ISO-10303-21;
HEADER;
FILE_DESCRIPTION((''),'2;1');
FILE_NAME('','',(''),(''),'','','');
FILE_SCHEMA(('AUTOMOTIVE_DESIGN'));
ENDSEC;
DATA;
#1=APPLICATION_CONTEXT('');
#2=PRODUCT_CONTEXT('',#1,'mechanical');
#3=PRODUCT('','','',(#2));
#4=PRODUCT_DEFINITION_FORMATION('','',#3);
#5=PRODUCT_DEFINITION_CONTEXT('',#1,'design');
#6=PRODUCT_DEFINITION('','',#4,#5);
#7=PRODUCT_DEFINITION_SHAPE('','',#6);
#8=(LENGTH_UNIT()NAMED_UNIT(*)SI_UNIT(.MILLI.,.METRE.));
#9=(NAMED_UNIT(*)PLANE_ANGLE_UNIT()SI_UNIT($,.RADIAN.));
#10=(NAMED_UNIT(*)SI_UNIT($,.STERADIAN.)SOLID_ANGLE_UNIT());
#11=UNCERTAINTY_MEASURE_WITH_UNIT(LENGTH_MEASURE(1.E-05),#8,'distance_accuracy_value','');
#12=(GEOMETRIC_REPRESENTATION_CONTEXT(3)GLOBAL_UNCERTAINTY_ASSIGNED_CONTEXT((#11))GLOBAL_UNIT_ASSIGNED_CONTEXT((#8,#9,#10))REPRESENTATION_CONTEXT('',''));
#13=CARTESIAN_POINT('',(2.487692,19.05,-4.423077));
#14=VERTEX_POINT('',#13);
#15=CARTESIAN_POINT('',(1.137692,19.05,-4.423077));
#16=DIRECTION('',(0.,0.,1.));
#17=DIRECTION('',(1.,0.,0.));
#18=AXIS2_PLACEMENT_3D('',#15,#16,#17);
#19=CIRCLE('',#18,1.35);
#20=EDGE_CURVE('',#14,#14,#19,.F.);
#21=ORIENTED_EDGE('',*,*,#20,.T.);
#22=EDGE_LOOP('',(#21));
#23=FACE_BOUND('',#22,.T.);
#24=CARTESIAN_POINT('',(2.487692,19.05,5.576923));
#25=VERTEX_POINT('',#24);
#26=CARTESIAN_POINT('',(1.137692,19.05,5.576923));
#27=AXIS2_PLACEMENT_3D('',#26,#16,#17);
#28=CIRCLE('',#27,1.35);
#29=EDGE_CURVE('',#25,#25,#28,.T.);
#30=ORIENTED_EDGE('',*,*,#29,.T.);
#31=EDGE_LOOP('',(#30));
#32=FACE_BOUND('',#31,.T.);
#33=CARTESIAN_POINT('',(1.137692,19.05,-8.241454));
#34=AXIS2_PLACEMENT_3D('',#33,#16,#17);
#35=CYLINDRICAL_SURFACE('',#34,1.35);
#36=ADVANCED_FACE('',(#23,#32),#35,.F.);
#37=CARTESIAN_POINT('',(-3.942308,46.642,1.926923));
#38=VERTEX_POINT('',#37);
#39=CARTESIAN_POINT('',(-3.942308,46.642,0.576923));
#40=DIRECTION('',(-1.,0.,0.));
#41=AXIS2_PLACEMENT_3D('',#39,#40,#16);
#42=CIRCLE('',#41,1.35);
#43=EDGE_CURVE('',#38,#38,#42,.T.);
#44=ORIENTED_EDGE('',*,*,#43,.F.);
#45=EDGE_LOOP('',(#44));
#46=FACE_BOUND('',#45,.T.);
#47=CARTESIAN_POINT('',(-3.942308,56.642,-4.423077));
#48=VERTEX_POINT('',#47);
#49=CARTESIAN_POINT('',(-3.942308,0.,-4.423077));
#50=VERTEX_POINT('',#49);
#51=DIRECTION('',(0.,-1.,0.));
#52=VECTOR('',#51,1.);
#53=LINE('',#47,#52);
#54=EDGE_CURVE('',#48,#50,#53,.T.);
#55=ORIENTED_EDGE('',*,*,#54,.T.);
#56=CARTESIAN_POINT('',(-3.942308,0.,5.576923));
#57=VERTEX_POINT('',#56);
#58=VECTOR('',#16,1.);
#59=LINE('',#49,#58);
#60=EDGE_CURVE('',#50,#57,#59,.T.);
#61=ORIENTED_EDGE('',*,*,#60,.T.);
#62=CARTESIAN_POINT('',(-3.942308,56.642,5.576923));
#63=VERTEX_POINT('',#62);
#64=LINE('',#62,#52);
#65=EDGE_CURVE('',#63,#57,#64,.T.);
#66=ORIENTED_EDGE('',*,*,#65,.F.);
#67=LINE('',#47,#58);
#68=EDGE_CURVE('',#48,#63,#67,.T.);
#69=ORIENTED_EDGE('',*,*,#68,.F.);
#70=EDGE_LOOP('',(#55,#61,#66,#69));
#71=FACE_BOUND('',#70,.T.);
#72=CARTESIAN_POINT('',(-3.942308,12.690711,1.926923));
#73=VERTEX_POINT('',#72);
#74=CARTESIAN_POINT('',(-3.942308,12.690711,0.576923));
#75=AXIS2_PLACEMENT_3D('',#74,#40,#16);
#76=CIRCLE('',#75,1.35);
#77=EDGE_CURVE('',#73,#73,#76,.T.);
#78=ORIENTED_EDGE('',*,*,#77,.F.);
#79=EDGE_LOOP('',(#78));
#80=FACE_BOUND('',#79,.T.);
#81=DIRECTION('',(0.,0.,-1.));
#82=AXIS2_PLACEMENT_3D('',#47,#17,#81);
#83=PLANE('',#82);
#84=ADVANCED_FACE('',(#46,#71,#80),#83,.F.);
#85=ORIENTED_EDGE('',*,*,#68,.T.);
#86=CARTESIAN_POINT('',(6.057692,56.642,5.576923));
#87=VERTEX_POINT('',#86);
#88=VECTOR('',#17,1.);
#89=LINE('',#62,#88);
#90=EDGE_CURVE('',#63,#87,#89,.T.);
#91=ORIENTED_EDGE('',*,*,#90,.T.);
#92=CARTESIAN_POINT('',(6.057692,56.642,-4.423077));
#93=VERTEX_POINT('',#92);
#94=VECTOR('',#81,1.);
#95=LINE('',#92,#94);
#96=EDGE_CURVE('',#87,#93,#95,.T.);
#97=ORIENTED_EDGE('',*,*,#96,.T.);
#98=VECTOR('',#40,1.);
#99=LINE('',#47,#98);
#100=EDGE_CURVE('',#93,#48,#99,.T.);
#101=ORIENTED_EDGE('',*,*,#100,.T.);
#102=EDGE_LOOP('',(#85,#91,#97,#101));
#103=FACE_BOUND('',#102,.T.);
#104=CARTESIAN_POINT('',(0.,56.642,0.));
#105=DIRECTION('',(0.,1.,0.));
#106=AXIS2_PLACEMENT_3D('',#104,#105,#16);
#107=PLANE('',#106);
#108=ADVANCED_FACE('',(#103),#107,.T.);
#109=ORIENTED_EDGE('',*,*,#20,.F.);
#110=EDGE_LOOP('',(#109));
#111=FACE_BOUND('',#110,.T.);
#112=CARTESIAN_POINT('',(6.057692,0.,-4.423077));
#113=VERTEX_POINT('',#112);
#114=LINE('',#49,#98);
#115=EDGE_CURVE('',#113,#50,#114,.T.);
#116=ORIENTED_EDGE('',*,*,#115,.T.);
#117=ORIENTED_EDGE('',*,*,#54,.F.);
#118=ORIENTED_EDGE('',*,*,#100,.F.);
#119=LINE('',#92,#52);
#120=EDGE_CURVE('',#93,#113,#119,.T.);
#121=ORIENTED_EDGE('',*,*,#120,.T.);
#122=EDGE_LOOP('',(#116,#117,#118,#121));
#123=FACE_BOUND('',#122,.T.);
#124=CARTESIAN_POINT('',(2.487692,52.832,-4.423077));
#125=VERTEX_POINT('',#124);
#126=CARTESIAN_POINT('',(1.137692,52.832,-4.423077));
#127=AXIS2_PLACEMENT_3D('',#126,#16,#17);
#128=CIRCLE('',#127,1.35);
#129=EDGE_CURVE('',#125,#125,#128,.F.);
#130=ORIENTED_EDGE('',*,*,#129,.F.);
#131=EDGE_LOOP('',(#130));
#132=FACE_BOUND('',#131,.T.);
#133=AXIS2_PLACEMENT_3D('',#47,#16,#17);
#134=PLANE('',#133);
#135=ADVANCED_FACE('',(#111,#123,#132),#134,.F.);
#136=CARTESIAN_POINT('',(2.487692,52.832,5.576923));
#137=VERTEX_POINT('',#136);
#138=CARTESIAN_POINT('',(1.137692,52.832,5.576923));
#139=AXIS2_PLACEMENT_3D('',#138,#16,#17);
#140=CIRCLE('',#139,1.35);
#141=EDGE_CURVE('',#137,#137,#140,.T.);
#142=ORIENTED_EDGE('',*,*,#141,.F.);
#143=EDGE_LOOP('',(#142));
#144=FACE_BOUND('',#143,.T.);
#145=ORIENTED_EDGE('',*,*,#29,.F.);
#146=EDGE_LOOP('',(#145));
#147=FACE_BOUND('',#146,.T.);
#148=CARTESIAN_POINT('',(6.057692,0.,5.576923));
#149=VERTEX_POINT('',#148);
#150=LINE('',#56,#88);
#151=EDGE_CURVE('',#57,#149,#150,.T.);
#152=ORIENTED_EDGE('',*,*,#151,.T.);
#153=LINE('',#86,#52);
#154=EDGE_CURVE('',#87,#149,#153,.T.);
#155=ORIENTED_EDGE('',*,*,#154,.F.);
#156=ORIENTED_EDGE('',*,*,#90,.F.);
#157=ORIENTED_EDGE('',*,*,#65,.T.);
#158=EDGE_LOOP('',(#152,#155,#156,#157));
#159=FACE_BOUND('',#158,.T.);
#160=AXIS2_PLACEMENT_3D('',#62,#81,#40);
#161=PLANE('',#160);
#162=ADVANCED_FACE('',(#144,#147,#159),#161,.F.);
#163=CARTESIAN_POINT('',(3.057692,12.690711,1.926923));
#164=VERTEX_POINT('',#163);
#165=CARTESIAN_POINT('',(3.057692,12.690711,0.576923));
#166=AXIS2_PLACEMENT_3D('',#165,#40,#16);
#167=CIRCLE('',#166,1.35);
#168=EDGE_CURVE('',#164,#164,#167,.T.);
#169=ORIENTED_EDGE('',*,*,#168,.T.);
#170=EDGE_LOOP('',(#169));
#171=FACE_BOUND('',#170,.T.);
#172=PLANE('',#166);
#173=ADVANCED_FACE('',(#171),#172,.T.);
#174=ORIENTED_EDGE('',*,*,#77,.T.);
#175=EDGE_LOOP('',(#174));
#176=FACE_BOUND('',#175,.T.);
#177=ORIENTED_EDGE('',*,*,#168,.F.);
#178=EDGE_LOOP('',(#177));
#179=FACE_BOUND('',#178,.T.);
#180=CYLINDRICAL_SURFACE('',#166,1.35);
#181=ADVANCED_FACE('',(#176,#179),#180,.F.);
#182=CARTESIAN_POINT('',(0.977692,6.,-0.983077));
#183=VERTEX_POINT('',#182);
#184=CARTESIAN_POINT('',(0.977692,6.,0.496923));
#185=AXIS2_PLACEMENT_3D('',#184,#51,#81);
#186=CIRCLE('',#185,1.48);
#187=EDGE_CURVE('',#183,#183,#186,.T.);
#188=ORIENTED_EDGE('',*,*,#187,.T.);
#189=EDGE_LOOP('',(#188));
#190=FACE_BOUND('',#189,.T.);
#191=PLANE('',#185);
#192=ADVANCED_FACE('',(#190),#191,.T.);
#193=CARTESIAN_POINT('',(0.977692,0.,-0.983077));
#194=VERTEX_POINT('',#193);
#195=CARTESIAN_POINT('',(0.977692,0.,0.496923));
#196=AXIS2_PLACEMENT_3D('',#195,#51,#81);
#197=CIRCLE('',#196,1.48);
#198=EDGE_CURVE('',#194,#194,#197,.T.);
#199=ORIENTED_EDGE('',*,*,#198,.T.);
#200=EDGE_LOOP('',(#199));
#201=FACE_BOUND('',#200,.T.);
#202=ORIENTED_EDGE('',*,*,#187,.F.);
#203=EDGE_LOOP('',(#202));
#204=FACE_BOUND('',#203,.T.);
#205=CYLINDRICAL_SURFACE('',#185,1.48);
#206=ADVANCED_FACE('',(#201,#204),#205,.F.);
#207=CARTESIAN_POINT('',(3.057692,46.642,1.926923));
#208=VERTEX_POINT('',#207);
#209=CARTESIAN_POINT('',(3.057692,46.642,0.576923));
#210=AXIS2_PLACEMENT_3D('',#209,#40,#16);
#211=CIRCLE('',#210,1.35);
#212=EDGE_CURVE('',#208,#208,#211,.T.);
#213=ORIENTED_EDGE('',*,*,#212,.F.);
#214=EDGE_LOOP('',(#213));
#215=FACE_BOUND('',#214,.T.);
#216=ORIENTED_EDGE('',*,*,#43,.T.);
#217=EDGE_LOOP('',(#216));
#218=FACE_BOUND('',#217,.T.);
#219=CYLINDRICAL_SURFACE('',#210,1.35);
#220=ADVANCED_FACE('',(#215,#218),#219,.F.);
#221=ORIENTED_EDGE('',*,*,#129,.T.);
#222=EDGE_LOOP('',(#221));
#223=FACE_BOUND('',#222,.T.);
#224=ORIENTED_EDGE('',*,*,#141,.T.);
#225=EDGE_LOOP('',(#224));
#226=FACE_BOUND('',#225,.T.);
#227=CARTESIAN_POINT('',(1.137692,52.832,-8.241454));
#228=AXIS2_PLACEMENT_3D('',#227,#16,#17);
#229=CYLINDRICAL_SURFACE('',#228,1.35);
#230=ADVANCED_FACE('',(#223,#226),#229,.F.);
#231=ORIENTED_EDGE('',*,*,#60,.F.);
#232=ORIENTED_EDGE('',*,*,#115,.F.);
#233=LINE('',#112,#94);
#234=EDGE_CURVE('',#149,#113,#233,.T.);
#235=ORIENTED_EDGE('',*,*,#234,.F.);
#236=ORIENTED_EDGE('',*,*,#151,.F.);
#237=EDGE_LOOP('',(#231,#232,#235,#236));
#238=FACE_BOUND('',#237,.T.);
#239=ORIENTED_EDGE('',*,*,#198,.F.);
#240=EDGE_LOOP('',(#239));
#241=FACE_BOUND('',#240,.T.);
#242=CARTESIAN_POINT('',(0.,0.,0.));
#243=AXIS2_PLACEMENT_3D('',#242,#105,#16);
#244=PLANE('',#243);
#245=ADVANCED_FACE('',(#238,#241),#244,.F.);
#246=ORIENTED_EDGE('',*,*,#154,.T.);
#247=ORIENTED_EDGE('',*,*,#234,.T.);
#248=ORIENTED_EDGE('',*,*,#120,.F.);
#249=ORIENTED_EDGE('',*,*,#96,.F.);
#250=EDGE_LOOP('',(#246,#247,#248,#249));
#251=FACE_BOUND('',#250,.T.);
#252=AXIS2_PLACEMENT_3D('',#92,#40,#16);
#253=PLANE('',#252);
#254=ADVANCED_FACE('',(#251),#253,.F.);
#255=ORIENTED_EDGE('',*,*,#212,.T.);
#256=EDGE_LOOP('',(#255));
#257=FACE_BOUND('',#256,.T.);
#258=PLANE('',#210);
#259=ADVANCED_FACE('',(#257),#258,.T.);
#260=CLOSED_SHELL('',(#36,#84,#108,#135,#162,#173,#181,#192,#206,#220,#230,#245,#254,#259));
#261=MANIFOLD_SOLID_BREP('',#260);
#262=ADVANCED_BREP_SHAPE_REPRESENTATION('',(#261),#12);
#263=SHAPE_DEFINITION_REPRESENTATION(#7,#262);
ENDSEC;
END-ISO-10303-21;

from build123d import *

# Parameters (mm, degrees)
SKETCH1_W           = 10
SKETCH1_H           = 10
BOSS_EXTRUDE1_DEPTH = 56.642
SKETCH3_R           = 1.35
CUT_EXTRUDE1_DEPTH  = 10
SKETCH4_R           = 1.35
CUT_EXTRUDE2_DEPTH  = 7
SKETCH8_R           = 1.48
CUT_EXTRUDE3_DEPTH  = 6


with BuildPart() as part:
    # Sketch1 → Boss-Extrude1 (new body)
    with BuildSketch(Plane(origin=(0, 0, 0), x_dir=(1, 0, 0), z_dir=(0, 1, 0))):
        with Locations((1.057692308, -0.576923077)):
            Rectangle(SKETCH1_W, SKETCH1_H)
    extrude(amount=BOSS_EXTRUDE1_DEPTH)

    # Sketch3 → Cut-Extrude1 (cut)
    with BuildSketch(Plane.XY.offset(5.576923077)):
        with Locations((1.137692308, 19.05)):
            Circle(SKETCH3_R)
        with Locations((1.137692308, 52.832)):
            Circle(SKETCH3_R)
    extrude(amount=-CUT_EXTRUDE1_DEPTH, mode=Mode.SUBTRACT)

    # Sketch4 → Cut-Extrude2 (cut)
    with BuildSketch(Plane.ZY.offset(3.942307692)):
        with Locations((0.576923077, 12.690710938)):
            Circle(SKETCH4_R)
        with Locations((0.576923077, 46.642)):
            Circle(SKETCH4_R)
    extrude(amount=-CUT_EXTRUDE2_DEPTH, mode=Mode.SUBTRACT)

    # Sketch8 → Cut-Extrude3 (cut)
    with BuildSketch(Plane(origin=(0, 0, 0), x_dir=(-1, 0, 0), z_dir=(0, -1, 0))):
        with Locations(Location((-0.977692308, -0.496923077, 0), (0, 0, 90))):
            Circle(SKETCH8_R)
    extrude(amount=-CUT_EXTRUDE3_DEPTH, mode=Mode.SUBTRACT)


solid = part.part
